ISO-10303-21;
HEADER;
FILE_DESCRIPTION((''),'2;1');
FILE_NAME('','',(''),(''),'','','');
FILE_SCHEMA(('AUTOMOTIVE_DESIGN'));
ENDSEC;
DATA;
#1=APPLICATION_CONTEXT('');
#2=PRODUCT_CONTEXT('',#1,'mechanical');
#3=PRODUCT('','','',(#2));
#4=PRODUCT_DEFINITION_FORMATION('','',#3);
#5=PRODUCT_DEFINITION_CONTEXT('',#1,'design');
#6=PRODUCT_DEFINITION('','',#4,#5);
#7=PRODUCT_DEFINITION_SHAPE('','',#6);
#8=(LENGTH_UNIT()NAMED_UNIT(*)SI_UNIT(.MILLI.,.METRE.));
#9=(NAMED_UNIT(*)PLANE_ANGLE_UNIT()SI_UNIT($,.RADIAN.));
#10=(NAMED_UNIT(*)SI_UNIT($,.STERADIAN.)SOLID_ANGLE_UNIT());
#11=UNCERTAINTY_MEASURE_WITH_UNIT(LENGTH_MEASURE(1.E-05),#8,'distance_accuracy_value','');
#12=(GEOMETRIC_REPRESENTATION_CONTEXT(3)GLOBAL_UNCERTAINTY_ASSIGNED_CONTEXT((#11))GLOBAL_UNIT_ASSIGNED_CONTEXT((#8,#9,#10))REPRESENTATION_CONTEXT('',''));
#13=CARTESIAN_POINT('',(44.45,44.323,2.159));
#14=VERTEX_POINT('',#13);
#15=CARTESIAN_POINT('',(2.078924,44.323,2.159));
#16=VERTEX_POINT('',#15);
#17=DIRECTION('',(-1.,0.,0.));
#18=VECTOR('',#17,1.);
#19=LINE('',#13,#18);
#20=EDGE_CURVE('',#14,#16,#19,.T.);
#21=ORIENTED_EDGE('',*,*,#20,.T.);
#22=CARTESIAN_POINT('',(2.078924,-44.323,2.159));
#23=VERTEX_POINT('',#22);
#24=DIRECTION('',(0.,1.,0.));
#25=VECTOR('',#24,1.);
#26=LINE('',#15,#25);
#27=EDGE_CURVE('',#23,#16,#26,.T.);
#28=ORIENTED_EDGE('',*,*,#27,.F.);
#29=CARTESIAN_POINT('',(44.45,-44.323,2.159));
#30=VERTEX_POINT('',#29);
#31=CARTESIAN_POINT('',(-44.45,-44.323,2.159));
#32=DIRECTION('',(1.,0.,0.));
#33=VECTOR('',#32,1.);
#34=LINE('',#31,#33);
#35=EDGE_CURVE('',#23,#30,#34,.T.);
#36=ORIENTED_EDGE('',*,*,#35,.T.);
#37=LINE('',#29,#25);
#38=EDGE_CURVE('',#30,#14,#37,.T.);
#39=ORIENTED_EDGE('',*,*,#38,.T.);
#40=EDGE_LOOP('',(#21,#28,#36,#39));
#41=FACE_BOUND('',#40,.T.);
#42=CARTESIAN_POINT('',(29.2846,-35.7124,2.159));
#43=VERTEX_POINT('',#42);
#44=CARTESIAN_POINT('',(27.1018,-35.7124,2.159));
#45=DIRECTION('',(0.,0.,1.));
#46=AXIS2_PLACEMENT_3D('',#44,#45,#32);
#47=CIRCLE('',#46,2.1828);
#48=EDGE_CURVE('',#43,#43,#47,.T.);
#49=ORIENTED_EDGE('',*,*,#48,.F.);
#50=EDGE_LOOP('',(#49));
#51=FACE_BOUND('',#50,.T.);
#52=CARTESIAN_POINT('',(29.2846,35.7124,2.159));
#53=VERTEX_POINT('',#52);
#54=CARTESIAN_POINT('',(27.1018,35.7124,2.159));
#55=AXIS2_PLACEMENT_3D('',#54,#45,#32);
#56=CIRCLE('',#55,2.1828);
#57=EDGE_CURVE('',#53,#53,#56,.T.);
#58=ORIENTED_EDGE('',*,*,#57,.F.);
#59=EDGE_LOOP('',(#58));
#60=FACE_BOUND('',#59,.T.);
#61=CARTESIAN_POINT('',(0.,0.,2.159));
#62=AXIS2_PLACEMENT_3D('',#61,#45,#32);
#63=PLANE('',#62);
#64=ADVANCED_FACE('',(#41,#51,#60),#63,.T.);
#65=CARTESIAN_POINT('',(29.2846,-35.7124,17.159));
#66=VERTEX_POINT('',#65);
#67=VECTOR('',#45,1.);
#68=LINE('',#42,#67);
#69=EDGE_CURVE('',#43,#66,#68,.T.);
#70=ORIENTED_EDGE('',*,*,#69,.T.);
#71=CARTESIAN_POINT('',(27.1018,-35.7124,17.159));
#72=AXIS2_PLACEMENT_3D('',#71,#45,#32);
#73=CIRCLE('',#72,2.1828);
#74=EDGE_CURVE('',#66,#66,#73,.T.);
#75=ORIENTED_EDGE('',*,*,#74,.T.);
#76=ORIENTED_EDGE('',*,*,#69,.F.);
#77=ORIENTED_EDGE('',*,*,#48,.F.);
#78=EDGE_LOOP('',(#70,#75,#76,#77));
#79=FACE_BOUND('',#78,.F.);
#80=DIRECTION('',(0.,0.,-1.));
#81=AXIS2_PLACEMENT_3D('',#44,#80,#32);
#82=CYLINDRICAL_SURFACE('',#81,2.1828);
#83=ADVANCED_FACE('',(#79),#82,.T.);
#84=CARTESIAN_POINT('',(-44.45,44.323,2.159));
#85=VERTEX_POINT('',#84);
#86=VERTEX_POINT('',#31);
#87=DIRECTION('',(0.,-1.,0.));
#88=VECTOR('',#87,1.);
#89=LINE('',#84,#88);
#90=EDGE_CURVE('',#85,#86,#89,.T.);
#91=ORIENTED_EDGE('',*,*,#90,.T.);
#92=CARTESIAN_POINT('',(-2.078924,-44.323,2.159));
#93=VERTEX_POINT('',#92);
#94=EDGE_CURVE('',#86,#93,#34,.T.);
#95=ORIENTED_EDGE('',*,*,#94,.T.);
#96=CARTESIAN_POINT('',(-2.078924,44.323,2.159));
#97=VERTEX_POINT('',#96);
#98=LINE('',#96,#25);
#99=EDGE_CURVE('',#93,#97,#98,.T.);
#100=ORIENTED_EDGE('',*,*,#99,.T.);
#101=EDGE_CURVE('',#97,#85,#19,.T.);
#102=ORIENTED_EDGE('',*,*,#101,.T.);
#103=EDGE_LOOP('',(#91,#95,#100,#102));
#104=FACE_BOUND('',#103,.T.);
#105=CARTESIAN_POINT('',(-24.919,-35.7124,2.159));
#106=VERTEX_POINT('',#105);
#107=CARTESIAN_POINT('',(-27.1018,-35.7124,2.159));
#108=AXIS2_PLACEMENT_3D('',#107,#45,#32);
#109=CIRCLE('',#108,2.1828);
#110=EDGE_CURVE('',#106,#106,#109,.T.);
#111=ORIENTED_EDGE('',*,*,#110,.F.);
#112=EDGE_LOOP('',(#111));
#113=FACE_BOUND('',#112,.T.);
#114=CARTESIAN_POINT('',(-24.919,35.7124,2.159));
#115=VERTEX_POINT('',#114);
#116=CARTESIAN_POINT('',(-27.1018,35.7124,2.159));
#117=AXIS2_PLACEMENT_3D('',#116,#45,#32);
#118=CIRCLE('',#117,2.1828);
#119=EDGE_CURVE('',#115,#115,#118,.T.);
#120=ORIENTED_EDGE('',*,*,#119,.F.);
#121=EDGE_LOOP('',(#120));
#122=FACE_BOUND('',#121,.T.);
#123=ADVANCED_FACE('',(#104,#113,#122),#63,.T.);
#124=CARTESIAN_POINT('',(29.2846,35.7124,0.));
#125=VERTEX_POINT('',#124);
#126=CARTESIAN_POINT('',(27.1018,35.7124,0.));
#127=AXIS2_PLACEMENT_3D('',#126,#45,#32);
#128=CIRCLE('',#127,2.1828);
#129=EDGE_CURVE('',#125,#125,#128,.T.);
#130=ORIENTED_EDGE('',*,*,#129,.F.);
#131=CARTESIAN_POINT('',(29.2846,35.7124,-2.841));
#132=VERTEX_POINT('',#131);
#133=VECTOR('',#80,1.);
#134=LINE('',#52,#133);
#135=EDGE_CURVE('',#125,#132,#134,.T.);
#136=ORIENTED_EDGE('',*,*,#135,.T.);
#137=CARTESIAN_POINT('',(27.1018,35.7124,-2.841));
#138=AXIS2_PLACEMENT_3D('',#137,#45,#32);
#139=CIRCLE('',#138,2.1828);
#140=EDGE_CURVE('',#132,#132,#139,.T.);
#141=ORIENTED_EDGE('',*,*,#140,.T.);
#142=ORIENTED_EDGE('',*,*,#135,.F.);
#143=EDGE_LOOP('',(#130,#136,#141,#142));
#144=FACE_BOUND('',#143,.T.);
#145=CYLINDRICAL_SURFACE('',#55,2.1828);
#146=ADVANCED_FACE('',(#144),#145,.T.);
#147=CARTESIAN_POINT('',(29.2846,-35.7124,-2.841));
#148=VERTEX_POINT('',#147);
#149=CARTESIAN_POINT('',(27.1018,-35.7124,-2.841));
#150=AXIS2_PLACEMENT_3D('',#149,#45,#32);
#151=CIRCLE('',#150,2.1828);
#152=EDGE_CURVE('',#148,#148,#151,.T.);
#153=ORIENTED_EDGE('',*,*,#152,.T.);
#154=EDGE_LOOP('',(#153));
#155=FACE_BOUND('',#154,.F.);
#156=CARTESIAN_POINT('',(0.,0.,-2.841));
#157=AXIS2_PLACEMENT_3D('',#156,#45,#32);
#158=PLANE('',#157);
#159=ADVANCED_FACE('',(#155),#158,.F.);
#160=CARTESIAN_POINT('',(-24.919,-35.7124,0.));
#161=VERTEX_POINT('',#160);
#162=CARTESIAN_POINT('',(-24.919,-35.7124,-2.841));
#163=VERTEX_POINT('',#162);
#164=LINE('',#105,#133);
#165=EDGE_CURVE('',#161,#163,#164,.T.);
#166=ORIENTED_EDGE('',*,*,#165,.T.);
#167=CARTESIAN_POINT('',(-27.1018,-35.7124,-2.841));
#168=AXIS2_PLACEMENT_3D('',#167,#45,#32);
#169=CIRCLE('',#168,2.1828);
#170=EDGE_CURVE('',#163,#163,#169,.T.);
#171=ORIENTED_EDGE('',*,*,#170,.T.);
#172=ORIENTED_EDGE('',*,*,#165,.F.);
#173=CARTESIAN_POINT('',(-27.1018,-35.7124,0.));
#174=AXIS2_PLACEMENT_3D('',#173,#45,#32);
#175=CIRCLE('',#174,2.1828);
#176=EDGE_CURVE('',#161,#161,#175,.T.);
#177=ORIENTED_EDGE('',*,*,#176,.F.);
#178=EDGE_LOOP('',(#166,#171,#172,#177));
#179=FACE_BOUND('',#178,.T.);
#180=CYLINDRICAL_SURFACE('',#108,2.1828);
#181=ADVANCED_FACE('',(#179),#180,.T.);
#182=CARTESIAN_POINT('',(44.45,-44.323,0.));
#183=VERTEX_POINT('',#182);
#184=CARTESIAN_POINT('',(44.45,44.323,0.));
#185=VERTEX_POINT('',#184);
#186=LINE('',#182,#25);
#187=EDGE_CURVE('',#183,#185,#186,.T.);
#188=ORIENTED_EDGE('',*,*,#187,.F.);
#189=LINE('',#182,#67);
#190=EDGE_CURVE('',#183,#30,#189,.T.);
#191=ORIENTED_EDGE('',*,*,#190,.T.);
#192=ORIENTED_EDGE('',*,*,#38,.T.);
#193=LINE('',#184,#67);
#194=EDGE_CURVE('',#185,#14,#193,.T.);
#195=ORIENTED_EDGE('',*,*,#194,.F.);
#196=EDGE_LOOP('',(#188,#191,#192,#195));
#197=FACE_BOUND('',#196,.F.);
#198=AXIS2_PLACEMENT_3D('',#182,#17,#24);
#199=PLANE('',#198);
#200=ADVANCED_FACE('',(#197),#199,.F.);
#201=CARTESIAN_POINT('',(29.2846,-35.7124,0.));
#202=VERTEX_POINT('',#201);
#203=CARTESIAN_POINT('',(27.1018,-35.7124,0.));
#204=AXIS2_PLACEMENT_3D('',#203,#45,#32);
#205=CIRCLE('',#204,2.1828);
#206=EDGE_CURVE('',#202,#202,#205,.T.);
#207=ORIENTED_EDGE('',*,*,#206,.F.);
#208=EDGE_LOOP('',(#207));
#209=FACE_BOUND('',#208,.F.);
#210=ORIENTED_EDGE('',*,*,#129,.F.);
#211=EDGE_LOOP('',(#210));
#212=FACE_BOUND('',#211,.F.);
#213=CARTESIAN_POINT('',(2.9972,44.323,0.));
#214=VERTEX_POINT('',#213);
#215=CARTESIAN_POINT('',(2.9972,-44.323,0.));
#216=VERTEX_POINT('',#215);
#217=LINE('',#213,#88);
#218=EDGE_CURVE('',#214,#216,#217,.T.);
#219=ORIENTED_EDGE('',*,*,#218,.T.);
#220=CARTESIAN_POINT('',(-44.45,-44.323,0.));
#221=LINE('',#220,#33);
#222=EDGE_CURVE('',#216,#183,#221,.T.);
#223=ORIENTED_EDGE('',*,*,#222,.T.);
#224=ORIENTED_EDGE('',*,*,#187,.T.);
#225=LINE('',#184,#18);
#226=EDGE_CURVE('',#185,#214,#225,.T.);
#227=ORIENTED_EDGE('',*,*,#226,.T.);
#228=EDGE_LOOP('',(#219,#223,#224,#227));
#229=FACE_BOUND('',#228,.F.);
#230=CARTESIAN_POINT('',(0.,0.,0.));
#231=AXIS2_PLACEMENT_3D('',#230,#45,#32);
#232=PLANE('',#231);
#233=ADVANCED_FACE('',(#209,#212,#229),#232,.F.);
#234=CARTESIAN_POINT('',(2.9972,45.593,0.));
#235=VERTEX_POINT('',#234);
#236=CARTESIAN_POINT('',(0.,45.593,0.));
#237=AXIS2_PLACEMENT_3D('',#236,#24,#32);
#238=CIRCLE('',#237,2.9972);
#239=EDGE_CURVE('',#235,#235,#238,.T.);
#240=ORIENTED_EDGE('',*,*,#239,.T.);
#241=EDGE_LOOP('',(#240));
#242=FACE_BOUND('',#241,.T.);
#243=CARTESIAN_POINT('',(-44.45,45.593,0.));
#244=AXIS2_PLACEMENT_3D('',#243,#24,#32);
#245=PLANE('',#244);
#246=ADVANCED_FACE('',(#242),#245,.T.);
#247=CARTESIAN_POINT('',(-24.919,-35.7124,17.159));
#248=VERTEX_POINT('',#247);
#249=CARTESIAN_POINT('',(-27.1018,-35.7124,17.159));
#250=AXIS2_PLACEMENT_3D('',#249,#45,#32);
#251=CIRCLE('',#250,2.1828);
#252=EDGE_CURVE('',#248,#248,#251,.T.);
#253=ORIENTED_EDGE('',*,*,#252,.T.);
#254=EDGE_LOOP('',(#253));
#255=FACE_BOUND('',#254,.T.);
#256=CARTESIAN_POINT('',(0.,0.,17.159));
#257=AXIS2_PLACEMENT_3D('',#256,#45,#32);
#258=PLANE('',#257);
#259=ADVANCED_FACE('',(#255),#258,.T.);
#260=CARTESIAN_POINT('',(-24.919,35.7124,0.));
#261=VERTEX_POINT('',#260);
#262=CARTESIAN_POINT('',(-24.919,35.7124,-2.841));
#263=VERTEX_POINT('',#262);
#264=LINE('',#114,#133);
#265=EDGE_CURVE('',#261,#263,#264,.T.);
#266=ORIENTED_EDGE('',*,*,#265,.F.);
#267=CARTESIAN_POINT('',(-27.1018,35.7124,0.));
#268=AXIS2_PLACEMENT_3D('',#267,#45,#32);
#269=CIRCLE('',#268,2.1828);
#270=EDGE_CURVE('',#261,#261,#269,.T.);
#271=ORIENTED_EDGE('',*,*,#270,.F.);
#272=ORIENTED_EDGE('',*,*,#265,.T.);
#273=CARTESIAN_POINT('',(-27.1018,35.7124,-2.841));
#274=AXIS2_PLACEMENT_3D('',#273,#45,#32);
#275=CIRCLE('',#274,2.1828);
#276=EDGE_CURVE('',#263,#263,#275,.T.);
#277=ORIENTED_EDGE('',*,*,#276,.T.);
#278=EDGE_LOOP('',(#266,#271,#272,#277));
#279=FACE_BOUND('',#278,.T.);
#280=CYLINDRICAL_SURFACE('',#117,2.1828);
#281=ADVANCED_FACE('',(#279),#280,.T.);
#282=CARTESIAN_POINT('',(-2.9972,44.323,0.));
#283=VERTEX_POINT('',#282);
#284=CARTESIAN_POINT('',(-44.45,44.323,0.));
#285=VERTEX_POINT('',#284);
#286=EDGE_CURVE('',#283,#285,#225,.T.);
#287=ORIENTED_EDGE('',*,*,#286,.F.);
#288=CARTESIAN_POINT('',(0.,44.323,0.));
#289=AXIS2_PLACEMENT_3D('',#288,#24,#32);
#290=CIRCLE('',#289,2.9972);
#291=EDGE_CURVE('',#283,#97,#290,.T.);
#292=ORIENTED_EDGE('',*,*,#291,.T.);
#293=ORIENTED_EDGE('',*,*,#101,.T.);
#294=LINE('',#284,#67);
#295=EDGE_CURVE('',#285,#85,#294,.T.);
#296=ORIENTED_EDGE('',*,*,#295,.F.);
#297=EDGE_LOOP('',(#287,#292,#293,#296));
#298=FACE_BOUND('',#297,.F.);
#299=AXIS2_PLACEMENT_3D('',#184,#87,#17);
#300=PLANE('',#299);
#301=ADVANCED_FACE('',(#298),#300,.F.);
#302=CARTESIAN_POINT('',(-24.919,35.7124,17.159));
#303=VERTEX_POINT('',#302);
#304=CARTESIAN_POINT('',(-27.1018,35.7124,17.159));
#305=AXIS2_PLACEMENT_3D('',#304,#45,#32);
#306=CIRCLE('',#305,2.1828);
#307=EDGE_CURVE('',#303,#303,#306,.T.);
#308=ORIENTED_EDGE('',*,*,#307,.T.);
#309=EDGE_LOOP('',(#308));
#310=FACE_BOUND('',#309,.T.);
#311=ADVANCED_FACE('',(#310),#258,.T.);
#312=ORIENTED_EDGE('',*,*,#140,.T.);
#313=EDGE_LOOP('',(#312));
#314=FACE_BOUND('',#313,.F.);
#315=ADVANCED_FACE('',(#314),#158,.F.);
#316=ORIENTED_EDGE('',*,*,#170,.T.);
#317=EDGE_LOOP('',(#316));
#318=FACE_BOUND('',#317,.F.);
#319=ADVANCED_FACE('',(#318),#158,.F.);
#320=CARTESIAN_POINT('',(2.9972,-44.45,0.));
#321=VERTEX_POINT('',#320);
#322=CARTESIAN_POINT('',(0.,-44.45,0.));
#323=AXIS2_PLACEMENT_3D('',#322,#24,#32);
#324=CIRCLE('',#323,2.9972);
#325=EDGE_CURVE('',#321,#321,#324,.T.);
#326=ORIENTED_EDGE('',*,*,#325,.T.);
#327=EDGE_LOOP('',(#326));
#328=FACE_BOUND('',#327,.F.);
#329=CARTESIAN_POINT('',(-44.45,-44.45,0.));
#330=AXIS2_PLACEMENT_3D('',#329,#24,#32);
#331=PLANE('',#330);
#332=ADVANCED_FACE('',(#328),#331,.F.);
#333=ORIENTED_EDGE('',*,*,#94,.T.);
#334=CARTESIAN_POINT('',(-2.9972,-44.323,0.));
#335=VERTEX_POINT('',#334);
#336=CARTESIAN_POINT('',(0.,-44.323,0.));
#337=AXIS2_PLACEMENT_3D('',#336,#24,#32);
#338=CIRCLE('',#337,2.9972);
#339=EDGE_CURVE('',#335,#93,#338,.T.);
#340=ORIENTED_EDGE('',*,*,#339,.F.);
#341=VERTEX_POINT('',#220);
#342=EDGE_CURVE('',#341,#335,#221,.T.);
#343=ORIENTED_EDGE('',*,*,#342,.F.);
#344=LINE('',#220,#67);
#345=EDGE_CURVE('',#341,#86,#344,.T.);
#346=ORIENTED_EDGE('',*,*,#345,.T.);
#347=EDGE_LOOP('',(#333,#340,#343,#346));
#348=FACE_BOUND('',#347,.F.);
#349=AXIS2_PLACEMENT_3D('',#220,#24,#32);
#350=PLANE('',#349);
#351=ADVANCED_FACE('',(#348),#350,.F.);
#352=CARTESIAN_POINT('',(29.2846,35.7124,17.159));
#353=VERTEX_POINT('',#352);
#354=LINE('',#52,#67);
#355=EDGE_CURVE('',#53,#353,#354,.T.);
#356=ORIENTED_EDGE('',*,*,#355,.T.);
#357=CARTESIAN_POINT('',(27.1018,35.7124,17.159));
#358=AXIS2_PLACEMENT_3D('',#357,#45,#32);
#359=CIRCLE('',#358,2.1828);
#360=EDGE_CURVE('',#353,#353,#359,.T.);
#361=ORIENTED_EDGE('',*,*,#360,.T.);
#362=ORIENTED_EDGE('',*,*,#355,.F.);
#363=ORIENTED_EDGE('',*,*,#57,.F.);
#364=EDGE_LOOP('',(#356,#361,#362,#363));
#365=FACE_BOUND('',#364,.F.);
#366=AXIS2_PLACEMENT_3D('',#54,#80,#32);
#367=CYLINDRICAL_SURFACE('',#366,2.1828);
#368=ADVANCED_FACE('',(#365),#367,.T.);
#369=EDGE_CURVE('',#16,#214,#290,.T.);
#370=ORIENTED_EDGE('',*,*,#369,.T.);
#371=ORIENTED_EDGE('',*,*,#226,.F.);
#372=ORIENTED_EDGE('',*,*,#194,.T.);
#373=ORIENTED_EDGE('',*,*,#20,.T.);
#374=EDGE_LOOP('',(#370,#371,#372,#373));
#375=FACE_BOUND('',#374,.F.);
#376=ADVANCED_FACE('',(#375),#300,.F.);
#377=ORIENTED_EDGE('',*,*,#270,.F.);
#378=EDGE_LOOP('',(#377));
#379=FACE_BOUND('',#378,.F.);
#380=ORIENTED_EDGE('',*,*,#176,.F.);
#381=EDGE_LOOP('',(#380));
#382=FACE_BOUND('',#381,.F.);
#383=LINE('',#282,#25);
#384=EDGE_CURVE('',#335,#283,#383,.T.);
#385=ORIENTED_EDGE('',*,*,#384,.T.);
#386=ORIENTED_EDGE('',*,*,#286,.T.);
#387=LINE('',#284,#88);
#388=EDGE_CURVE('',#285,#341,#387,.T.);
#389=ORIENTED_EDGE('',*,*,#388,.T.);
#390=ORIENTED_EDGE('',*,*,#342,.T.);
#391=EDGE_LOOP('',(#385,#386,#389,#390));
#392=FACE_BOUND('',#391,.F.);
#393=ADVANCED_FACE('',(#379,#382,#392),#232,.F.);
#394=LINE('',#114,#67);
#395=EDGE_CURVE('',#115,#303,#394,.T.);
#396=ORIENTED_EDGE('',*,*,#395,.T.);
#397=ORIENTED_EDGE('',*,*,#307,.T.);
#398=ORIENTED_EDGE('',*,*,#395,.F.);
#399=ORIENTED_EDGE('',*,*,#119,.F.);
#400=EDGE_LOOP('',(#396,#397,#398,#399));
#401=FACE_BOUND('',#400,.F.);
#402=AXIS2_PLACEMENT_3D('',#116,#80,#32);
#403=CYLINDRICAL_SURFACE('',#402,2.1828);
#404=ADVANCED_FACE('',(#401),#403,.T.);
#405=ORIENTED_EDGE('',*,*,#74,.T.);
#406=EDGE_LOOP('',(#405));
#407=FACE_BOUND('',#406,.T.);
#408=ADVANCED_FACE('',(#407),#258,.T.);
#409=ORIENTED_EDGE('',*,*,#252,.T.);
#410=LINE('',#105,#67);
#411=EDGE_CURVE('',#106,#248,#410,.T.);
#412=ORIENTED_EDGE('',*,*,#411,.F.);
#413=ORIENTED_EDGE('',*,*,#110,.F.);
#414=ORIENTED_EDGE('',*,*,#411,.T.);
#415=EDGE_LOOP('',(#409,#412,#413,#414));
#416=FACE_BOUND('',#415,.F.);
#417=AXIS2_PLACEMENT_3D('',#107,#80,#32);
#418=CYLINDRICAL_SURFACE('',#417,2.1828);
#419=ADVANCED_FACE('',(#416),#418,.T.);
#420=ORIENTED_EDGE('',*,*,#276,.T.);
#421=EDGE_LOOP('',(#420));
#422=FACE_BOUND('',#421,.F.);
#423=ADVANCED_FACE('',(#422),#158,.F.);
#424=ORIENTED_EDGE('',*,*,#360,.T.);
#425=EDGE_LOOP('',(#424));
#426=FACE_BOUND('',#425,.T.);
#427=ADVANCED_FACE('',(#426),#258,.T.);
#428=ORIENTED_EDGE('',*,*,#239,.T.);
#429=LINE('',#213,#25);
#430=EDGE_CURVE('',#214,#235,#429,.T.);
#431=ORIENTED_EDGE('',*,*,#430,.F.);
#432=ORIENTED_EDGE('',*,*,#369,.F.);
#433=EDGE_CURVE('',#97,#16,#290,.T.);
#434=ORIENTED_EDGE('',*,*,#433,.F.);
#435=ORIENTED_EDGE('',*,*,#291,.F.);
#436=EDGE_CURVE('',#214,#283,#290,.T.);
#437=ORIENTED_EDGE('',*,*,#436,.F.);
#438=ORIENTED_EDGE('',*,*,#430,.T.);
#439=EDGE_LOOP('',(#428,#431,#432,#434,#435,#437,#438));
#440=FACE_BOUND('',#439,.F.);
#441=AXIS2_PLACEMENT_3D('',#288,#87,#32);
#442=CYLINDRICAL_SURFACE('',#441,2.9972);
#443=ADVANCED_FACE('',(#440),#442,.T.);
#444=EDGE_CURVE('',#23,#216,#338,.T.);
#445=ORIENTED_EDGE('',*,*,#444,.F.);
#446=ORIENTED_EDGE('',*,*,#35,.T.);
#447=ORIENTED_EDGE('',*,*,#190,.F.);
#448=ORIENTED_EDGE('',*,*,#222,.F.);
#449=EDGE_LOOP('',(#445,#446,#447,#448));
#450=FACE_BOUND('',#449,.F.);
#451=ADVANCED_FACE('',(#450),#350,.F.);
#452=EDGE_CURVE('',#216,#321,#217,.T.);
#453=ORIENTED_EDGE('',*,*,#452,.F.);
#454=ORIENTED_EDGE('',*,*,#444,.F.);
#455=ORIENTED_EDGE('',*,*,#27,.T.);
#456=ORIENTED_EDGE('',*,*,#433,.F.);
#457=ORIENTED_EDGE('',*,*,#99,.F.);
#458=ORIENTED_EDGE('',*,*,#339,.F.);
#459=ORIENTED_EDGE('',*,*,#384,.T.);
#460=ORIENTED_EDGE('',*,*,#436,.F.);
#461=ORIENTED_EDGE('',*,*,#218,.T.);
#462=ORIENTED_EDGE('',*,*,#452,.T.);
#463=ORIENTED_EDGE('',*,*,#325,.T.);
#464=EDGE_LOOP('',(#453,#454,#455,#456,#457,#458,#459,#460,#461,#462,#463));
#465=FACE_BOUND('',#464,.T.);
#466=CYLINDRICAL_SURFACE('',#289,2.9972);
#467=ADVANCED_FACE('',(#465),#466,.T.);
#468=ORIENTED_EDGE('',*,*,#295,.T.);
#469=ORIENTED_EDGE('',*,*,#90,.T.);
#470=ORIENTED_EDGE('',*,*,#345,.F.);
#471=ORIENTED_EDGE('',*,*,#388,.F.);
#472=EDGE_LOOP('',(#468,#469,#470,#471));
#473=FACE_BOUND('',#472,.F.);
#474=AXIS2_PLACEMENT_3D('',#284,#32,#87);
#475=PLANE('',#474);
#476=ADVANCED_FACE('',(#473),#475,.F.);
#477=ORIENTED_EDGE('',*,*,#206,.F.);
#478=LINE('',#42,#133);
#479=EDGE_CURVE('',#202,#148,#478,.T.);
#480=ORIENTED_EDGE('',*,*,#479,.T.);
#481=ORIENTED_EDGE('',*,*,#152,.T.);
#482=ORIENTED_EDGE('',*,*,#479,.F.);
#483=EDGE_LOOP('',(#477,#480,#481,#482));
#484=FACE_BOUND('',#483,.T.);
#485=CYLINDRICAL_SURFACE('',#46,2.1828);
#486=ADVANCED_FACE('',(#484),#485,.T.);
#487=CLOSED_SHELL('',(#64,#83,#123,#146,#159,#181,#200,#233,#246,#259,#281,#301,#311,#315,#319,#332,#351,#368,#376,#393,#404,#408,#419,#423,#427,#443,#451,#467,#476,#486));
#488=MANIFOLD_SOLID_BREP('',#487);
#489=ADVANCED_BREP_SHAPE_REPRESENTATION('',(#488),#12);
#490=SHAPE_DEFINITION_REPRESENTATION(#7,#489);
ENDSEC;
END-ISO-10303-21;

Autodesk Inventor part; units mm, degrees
ref_plane "YZ Plane" through (0, 0, 0) normal (1, 0, 0) x (0, 1, 0)
ref_plane "XZ Plane" through (0, 0, 0) normal (0, 1, 0) x (-1, 0, 0)
ref_plane "XY Plane" through (0, 0, 0) normal (0, 0, 1) x (1, 0, 0)
sketch "Sketch1" plane through (0, 0, 0) normal (0, 0, 1) x (1, 0, 0)
  line L0 (-44.45, -44.323) -> (44.45, -44.323)
  line L1 (44.45, -44.323) -> (44.45, 44.323)
  line L2 (44.45, 44.323) -> (-44.45, 44.323)
  line L3 (-44.45, 44.323) -> (-44.45, -44.323)
  line L4 (-44.45, -44.323) -> (44.45, 44.323) construction
  line L5 (44.45, -44.323) -> (-44.45, 44.323) construction
  point P0 (0, 0)
  dimension "d0" = 88.9
  dimension "d1" = 88.646
extrude "Extrusion1" add sketch "Sketch1" along normal blind 2.159
sketch "Sketch3" plane through (-44.45, 44.323, 0) normal (0, 1, 0) x (1, 0, 0)
  circle A0 centre (44.45, 0) radius 2.9972
  dimension "d4" = 5.9944
extrude "Extrusion2" add sketch "Sketch3" along normal blind 1.27 and the other way blind 88.773
sketch "Sketch4" plane through (0, 0, 2.159) normal (0, 0, 1) x (1, 0, 0)
  circle A0 centre (-27.1018, 35.7124) radius 2.1828
  line L0 (-44.45, 44.323) -> (-44.45, -44.323) projected
  line L1 (-2.0789, 44.323) -> (-44.45, 44.323) projected
  line L2 (-44.45, 0) -> (0, 0)
  circle A1 centre (-27.1018, -35.7124) radius 2.1828
  line L3 (-2.9972, -44.45) -> (2.9972, -44.45) projected
  line L4 (0, -44.45) -> (0, 45.593)
  line L5 (2.9972, 45.593) -> (-2.9972, 45.593) projected
  circle A2 centre (27.1018, 35.7124) radius 2.1828
  circle A3 centre (27.1018, -35.7124) radius 2.1828
  dimension "d9" = 17.3482
  dimension "d10" = 4.3656
  dimension "d11" = 8.6106
extrude "Extrusion3" add sketch "Sketch4" along normal blind 15 and the other way blind 5
properties part number "Hinge"
